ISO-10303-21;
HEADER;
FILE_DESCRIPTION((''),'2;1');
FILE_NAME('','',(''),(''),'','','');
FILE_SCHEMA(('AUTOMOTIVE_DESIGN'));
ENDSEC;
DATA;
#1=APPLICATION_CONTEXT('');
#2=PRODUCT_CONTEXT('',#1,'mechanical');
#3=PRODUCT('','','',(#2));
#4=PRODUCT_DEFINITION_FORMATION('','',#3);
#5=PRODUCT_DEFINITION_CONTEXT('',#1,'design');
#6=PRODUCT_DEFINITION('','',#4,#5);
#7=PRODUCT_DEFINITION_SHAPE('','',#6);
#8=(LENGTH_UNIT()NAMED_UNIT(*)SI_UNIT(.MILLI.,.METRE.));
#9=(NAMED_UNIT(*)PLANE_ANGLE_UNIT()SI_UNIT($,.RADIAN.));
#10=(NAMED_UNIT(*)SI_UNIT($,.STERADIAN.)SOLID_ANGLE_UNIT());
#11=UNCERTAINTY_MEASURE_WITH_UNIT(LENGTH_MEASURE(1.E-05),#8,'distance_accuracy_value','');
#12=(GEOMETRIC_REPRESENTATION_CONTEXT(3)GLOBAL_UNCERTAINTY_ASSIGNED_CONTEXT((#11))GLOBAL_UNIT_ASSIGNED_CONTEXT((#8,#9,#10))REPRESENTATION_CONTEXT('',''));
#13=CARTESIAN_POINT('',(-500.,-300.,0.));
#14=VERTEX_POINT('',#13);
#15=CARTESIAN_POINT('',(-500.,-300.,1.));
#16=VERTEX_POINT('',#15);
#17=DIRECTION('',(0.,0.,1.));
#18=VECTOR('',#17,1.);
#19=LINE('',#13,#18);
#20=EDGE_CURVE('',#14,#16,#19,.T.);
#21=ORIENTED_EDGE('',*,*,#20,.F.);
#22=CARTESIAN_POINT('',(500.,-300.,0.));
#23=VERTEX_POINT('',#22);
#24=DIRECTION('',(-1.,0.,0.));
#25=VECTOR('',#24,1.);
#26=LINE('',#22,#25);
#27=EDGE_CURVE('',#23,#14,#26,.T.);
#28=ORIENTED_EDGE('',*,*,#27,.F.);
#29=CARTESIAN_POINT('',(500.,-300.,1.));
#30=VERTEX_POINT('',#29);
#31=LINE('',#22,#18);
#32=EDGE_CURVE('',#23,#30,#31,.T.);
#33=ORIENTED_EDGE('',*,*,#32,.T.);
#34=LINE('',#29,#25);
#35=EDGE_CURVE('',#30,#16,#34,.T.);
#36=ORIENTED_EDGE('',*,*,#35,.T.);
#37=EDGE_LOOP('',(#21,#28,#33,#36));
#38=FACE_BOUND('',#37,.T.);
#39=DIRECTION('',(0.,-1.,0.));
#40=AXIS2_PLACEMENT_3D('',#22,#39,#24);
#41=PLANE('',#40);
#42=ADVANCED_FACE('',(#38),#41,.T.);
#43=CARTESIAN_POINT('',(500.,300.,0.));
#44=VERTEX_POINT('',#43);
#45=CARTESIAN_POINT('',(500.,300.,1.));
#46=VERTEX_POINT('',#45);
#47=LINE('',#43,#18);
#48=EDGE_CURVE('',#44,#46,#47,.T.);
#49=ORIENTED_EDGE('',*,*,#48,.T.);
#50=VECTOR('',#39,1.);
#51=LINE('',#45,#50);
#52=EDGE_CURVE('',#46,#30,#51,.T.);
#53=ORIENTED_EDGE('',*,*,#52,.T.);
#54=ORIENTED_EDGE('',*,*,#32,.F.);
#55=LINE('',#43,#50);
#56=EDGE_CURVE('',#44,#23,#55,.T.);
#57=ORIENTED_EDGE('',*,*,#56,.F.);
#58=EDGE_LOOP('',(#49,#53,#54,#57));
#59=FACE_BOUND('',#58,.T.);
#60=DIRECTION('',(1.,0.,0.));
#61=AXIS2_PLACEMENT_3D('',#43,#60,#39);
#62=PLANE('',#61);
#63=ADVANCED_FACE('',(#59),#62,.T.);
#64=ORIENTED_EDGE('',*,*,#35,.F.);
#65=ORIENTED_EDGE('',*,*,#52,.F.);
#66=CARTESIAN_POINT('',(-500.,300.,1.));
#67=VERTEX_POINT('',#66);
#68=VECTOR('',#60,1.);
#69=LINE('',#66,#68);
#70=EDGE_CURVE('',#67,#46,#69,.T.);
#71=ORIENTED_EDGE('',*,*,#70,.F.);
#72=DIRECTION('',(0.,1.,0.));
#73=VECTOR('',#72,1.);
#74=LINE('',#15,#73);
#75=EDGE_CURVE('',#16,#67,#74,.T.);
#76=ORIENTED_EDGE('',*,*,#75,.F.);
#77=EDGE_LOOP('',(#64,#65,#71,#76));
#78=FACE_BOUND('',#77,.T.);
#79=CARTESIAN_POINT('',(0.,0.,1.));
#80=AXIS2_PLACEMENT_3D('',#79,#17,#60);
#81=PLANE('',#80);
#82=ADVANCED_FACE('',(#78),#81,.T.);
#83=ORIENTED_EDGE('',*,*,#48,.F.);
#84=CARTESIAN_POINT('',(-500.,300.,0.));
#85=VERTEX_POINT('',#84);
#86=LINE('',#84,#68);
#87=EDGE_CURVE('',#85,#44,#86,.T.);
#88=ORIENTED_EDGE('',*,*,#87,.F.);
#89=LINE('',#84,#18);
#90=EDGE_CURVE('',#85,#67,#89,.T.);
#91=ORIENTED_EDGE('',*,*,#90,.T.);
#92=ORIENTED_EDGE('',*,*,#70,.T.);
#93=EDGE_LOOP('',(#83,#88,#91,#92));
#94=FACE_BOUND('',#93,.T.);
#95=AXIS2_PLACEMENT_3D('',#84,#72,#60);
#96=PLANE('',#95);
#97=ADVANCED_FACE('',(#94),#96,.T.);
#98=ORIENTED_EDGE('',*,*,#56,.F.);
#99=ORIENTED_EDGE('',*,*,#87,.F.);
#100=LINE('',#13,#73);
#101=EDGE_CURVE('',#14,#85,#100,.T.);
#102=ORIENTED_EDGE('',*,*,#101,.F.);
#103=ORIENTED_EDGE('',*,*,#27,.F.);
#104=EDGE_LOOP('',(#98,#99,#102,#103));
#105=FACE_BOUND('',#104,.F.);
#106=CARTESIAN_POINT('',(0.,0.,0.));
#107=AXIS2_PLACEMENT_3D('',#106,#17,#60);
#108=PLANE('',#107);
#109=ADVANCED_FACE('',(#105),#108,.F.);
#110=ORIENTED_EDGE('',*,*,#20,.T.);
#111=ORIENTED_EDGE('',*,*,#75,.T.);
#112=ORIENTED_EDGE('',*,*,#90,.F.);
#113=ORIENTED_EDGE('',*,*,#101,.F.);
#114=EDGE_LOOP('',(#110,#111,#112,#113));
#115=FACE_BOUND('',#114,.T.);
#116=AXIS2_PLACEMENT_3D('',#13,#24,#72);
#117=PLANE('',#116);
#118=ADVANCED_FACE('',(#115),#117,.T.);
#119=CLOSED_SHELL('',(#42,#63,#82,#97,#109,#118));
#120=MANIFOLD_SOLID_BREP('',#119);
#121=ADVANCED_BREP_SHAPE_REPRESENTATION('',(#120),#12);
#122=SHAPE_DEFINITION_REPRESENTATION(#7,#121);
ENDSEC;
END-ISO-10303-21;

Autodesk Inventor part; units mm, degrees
ref_plane "YZ Plane" through (0, 0, 0) normal (1, 0, 0) x (0, 1, 0)
ref_plane "XZ Plane" through (0, 0, 0) normal (0, 1, 0) x (-1, 0, 0)
ref_plane "XY Plane" through (0, 0, 0) normal (0, 0, 1) x (1, 0, 0)
sketch "Skizze1" plane through (0, 0, 0) normal (0, 0, 1) x (1, 0, 0)
  line L0 (-500, 300) -> (500, 300)
  line L1 (500, 300) -> (500, -300)
  line L2 (500, -300) -> (-500, -300)
  line L3 (-500, -300) -> (-500, 300)
  point P0 (0, 0)
  point P1 (0, 300)
  point P2 (-500, 0)
  dimension "d0" = 1000
  dimension "d1" = 600
extrude "Extrusion1" add sketch "Skizze1" along normal blind 1
properties part number "Aluminium_Grundplatte" material "Aluminum 6061-AHC"
